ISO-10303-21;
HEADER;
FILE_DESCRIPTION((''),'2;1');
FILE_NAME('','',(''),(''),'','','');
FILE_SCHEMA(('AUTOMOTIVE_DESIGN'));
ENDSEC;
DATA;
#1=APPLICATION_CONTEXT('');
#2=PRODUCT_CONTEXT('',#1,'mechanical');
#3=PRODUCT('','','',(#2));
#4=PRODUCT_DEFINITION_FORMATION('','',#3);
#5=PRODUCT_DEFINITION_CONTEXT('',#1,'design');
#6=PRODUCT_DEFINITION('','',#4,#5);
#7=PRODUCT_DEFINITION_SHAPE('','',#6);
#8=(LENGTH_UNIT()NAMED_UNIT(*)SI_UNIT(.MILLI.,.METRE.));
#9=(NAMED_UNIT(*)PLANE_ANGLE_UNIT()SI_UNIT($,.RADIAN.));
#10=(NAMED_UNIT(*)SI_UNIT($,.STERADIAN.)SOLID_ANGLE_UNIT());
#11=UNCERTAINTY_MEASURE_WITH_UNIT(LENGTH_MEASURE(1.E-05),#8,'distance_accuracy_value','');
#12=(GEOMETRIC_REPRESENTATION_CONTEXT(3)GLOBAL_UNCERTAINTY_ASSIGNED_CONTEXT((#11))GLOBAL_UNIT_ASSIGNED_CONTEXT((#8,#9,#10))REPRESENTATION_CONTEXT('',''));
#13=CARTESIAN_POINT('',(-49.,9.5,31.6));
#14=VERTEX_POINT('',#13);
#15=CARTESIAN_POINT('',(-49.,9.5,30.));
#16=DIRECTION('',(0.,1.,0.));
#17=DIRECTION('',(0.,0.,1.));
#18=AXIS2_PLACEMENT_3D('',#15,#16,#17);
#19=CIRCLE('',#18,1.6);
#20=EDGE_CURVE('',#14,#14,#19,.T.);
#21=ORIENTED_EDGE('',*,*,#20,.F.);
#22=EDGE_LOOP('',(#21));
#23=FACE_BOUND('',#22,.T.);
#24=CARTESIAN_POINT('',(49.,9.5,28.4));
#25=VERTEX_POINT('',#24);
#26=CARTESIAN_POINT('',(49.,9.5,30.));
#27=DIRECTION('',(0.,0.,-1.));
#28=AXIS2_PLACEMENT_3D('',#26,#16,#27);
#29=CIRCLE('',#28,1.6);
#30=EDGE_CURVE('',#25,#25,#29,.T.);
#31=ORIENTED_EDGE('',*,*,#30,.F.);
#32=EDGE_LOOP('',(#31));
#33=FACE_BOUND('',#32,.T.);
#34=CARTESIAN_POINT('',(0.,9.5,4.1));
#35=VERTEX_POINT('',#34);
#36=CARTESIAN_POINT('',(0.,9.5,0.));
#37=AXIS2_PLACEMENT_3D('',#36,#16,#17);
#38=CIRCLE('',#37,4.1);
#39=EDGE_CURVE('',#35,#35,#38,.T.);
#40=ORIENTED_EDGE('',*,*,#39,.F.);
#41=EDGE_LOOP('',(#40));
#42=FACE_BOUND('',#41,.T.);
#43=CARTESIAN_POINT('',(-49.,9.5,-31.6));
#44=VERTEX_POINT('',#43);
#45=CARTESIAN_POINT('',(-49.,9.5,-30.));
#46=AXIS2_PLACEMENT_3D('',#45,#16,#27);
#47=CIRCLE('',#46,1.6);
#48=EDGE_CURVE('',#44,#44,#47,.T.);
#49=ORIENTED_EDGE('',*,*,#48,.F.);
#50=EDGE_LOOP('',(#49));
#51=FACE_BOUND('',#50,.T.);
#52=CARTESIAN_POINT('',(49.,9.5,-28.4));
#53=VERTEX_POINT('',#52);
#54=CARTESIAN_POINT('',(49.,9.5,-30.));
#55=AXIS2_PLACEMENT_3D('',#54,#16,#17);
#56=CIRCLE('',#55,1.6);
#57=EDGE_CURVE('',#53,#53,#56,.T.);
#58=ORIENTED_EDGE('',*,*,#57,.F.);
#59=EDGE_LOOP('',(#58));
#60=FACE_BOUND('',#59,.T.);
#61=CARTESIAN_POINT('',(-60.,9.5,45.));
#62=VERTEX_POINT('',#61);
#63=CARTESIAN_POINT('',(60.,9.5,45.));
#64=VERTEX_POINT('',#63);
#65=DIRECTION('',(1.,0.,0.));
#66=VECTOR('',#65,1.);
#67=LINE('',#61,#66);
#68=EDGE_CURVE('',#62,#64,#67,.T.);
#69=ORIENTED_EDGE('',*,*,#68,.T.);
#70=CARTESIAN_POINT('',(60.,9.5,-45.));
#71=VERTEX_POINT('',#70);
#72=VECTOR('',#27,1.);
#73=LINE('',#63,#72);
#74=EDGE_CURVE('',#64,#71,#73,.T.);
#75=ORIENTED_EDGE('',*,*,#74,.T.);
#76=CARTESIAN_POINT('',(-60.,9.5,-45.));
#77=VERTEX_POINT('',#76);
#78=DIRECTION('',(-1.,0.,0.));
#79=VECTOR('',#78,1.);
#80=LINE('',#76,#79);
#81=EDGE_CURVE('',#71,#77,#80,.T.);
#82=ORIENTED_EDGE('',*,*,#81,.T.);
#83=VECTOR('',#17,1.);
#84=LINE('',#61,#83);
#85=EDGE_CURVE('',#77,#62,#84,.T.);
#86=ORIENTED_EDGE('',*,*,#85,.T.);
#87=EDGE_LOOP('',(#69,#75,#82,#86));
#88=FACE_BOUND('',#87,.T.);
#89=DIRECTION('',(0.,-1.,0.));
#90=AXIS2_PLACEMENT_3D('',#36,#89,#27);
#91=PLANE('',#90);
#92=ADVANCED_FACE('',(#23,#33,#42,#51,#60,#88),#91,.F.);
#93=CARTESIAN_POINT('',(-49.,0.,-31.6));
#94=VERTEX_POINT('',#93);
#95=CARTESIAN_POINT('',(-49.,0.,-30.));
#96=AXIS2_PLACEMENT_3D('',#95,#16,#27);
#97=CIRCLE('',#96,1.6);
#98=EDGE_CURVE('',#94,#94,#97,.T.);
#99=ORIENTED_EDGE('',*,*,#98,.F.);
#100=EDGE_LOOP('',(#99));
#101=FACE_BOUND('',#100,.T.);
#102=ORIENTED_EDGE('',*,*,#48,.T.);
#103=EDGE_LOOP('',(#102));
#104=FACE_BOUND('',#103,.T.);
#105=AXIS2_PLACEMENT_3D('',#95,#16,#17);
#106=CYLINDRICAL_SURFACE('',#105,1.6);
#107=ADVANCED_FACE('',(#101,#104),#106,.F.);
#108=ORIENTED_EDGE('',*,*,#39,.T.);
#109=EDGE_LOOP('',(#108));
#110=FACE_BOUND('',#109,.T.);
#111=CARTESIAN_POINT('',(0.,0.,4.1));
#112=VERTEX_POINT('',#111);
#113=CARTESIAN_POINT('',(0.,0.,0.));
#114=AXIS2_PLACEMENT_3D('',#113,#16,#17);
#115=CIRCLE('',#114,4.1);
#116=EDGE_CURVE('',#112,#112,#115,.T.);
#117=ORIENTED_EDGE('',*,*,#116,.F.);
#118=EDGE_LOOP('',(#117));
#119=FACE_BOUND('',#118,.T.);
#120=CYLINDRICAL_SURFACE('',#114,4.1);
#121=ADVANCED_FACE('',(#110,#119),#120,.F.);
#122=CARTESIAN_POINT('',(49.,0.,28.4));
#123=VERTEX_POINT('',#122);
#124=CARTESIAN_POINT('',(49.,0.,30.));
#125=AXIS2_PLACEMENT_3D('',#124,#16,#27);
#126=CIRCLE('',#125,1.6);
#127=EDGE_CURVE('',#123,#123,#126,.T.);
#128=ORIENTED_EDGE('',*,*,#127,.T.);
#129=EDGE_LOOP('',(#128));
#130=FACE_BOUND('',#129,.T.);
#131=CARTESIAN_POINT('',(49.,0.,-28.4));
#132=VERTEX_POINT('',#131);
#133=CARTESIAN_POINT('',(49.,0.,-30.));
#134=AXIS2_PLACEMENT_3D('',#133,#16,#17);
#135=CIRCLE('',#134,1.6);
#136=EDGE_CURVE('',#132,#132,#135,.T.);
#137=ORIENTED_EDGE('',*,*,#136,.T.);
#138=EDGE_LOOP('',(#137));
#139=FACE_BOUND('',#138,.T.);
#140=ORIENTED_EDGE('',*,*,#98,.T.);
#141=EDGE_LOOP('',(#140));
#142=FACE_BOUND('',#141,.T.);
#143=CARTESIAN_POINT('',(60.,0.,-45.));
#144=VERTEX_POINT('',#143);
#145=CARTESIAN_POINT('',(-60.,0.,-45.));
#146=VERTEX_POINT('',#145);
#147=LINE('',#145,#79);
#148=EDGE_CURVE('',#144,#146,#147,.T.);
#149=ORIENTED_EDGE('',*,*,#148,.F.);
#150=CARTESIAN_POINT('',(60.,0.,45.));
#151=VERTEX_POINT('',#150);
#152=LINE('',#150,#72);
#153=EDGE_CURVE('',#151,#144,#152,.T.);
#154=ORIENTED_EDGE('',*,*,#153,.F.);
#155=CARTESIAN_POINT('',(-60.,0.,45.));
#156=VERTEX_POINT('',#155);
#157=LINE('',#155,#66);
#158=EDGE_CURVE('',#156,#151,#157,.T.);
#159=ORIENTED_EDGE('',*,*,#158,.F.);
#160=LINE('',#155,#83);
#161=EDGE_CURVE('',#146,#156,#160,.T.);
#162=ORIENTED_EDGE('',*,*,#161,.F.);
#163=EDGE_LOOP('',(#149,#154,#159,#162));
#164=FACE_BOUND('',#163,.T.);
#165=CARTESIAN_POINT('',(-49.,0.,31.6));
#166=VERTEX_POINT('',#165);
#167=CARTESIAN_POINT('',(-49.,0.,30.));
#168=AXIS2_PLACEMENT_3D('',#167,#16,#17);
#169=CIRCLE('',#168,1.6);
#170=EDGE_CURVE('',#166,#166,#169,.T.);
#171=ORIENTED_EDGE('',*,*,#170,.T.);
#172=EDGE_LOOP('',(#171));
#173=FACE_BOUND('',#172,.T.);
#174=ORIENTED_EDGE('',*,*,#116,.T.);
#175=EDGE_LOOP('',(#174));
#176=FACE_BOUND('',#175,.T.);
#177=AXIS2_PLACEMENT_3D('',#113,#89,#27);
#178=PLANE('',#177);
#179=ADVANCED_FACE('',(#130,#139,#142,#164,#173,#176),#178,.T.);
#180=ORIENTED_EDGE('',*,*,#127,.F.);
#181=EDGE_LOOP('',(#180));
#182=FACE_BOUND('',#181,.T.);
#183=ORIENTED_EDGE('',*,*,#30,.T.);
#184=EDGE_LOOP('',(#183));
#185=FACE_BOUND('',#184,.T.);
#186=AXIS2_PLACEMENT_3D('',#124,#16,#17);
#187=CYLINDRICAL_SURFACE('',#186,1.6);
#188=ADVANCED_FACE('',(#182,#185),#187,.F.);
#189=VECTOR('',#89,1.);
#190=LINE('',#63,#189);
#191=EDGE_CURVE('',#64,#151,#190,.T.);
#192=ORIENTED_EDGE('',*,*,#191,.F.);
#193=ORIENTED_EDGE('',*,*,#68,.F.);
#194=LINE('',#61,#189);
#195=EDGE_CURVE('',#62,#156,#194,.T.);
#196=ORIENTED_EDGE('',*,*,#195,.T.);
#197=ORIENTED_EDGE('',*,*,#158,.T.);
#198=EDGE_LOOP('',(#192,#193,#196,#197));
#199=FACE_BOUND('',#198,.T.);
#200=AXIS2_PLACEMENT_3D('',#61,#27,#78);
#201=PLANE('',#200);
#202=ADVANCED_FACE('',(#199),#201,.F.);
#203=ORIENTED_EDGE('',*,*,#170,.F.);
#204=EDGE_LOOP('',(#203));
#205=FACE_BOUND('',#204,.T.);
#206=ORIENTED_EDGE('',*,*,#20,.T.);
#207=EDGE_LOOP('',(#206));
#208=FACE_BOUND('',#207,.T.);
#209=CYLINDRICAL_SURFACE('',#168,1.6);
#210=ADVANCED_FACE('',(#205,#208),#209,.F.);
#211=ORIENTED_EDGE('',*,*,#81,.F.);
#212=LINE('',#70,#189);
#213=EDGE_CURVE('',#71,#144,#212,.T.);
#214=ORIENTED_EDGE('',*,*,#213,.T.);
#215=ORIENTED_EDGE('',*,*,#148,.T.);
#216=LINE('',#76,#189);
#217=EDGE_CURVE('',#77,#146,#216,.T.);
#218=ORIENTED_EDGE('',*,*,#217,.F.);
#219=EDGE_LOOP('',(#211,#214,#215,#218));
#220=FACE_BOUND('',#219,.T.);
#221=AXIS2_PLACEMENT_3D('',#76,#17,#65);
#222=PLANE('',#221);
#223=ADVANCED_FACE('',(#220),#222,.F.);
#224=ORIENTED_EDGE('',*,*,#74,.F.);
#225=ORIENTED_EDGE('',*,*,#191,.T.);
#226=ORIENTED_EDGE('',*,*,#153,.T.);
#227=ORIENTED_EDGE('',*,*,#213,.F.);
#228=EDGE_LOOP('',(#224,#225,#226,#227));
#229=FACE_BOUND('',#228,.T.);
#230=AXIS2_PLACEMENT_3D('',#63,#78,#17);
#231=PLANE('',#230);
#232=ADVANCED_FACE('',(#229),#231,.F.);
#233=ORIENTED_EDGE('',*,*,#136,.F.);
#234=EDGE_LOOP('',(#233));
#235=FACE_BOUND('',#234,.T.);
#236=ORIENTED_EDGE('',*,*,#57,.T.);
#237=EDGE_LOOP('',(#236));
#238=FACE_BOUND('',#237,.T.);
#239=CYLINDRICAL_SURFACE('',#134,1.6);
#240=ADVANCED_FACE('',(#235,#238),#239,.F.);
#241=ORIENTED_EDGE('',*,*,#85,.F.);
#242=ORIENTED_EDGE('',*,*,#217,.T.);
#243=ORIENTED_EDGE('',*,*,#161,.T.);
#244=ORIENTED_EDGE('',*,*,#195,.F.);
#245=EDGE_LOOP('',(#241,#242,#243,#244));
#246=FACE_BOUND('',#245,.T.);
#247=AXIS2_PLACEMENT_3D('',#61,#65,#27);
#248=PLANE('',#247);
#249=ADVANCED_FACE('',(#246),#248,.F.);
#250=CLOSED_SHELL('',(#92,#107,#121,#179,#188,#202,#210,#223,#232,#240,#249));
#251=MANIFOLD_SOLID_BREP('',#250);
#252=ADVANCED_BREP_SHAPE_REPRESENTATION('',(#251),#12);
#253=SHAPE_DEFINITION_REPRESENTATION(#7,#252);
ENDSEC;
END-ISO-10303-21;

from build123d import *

# Parameters (mm, degrees)
SKETCH1_W           = 120
SKETCH1_H           = 90
BOSS_EXTRUDE1_DEPTH = 9.5
SKETCH2_R           = 1.6
CUT_EXTRUDE1_DEPTH  = 10.5
SKETCH3_R           = 4.1
CUT_EXTRUDE2_DEPTH  = 10.5


with BuildPart() as part:
    # Sketch1 → Boss-Extrude1 (new body)
    with BuildSketch(Plane(origin=(0, 0, 0), x_dir=(1, 0, 0), z_dir=(0, 1, 0))):
        Rectangle(SKETCH1_W, SKETCH1_H)
    extrude(amount=BOSS_EXTRUDE1_DEPTH)

    # Sketch2 → Cut-Extrude1 (cut, through all)
    with BuildSketch(Plane(origin=(0, 9.5, 0), x_dir=(1, 0, 0), z_dir=(0, 1, 0))):
        with Locations((-49, -30)):
            Circle(SKETCH2_R)
        with Locations((49, -30)):
            Circle(SKETCH2_R)
        with Locations((49, 30)):
            Circle(SKETCH2_R)
        with Locations((-49, 30)):
            Circle(SKETCH2_R)
    extrude(amount=-CUT_EXTRUDE1_DEPTH, mode=Mode.SUBTRACT)

    # Sketch3 → Cut-Extrude2 (cut, through all)
    with BuildSketch(Plane(origin=(0, 9.5, 0), x_dir=(1, 0, 0), z_dir=(0, 1, 0))):
        Circle(SKETCH3_R)
    extrude(amount=-CUT_EXTRUDE2_DEPTH, mode=Mode.SUBTRACT)


solid = part.part
